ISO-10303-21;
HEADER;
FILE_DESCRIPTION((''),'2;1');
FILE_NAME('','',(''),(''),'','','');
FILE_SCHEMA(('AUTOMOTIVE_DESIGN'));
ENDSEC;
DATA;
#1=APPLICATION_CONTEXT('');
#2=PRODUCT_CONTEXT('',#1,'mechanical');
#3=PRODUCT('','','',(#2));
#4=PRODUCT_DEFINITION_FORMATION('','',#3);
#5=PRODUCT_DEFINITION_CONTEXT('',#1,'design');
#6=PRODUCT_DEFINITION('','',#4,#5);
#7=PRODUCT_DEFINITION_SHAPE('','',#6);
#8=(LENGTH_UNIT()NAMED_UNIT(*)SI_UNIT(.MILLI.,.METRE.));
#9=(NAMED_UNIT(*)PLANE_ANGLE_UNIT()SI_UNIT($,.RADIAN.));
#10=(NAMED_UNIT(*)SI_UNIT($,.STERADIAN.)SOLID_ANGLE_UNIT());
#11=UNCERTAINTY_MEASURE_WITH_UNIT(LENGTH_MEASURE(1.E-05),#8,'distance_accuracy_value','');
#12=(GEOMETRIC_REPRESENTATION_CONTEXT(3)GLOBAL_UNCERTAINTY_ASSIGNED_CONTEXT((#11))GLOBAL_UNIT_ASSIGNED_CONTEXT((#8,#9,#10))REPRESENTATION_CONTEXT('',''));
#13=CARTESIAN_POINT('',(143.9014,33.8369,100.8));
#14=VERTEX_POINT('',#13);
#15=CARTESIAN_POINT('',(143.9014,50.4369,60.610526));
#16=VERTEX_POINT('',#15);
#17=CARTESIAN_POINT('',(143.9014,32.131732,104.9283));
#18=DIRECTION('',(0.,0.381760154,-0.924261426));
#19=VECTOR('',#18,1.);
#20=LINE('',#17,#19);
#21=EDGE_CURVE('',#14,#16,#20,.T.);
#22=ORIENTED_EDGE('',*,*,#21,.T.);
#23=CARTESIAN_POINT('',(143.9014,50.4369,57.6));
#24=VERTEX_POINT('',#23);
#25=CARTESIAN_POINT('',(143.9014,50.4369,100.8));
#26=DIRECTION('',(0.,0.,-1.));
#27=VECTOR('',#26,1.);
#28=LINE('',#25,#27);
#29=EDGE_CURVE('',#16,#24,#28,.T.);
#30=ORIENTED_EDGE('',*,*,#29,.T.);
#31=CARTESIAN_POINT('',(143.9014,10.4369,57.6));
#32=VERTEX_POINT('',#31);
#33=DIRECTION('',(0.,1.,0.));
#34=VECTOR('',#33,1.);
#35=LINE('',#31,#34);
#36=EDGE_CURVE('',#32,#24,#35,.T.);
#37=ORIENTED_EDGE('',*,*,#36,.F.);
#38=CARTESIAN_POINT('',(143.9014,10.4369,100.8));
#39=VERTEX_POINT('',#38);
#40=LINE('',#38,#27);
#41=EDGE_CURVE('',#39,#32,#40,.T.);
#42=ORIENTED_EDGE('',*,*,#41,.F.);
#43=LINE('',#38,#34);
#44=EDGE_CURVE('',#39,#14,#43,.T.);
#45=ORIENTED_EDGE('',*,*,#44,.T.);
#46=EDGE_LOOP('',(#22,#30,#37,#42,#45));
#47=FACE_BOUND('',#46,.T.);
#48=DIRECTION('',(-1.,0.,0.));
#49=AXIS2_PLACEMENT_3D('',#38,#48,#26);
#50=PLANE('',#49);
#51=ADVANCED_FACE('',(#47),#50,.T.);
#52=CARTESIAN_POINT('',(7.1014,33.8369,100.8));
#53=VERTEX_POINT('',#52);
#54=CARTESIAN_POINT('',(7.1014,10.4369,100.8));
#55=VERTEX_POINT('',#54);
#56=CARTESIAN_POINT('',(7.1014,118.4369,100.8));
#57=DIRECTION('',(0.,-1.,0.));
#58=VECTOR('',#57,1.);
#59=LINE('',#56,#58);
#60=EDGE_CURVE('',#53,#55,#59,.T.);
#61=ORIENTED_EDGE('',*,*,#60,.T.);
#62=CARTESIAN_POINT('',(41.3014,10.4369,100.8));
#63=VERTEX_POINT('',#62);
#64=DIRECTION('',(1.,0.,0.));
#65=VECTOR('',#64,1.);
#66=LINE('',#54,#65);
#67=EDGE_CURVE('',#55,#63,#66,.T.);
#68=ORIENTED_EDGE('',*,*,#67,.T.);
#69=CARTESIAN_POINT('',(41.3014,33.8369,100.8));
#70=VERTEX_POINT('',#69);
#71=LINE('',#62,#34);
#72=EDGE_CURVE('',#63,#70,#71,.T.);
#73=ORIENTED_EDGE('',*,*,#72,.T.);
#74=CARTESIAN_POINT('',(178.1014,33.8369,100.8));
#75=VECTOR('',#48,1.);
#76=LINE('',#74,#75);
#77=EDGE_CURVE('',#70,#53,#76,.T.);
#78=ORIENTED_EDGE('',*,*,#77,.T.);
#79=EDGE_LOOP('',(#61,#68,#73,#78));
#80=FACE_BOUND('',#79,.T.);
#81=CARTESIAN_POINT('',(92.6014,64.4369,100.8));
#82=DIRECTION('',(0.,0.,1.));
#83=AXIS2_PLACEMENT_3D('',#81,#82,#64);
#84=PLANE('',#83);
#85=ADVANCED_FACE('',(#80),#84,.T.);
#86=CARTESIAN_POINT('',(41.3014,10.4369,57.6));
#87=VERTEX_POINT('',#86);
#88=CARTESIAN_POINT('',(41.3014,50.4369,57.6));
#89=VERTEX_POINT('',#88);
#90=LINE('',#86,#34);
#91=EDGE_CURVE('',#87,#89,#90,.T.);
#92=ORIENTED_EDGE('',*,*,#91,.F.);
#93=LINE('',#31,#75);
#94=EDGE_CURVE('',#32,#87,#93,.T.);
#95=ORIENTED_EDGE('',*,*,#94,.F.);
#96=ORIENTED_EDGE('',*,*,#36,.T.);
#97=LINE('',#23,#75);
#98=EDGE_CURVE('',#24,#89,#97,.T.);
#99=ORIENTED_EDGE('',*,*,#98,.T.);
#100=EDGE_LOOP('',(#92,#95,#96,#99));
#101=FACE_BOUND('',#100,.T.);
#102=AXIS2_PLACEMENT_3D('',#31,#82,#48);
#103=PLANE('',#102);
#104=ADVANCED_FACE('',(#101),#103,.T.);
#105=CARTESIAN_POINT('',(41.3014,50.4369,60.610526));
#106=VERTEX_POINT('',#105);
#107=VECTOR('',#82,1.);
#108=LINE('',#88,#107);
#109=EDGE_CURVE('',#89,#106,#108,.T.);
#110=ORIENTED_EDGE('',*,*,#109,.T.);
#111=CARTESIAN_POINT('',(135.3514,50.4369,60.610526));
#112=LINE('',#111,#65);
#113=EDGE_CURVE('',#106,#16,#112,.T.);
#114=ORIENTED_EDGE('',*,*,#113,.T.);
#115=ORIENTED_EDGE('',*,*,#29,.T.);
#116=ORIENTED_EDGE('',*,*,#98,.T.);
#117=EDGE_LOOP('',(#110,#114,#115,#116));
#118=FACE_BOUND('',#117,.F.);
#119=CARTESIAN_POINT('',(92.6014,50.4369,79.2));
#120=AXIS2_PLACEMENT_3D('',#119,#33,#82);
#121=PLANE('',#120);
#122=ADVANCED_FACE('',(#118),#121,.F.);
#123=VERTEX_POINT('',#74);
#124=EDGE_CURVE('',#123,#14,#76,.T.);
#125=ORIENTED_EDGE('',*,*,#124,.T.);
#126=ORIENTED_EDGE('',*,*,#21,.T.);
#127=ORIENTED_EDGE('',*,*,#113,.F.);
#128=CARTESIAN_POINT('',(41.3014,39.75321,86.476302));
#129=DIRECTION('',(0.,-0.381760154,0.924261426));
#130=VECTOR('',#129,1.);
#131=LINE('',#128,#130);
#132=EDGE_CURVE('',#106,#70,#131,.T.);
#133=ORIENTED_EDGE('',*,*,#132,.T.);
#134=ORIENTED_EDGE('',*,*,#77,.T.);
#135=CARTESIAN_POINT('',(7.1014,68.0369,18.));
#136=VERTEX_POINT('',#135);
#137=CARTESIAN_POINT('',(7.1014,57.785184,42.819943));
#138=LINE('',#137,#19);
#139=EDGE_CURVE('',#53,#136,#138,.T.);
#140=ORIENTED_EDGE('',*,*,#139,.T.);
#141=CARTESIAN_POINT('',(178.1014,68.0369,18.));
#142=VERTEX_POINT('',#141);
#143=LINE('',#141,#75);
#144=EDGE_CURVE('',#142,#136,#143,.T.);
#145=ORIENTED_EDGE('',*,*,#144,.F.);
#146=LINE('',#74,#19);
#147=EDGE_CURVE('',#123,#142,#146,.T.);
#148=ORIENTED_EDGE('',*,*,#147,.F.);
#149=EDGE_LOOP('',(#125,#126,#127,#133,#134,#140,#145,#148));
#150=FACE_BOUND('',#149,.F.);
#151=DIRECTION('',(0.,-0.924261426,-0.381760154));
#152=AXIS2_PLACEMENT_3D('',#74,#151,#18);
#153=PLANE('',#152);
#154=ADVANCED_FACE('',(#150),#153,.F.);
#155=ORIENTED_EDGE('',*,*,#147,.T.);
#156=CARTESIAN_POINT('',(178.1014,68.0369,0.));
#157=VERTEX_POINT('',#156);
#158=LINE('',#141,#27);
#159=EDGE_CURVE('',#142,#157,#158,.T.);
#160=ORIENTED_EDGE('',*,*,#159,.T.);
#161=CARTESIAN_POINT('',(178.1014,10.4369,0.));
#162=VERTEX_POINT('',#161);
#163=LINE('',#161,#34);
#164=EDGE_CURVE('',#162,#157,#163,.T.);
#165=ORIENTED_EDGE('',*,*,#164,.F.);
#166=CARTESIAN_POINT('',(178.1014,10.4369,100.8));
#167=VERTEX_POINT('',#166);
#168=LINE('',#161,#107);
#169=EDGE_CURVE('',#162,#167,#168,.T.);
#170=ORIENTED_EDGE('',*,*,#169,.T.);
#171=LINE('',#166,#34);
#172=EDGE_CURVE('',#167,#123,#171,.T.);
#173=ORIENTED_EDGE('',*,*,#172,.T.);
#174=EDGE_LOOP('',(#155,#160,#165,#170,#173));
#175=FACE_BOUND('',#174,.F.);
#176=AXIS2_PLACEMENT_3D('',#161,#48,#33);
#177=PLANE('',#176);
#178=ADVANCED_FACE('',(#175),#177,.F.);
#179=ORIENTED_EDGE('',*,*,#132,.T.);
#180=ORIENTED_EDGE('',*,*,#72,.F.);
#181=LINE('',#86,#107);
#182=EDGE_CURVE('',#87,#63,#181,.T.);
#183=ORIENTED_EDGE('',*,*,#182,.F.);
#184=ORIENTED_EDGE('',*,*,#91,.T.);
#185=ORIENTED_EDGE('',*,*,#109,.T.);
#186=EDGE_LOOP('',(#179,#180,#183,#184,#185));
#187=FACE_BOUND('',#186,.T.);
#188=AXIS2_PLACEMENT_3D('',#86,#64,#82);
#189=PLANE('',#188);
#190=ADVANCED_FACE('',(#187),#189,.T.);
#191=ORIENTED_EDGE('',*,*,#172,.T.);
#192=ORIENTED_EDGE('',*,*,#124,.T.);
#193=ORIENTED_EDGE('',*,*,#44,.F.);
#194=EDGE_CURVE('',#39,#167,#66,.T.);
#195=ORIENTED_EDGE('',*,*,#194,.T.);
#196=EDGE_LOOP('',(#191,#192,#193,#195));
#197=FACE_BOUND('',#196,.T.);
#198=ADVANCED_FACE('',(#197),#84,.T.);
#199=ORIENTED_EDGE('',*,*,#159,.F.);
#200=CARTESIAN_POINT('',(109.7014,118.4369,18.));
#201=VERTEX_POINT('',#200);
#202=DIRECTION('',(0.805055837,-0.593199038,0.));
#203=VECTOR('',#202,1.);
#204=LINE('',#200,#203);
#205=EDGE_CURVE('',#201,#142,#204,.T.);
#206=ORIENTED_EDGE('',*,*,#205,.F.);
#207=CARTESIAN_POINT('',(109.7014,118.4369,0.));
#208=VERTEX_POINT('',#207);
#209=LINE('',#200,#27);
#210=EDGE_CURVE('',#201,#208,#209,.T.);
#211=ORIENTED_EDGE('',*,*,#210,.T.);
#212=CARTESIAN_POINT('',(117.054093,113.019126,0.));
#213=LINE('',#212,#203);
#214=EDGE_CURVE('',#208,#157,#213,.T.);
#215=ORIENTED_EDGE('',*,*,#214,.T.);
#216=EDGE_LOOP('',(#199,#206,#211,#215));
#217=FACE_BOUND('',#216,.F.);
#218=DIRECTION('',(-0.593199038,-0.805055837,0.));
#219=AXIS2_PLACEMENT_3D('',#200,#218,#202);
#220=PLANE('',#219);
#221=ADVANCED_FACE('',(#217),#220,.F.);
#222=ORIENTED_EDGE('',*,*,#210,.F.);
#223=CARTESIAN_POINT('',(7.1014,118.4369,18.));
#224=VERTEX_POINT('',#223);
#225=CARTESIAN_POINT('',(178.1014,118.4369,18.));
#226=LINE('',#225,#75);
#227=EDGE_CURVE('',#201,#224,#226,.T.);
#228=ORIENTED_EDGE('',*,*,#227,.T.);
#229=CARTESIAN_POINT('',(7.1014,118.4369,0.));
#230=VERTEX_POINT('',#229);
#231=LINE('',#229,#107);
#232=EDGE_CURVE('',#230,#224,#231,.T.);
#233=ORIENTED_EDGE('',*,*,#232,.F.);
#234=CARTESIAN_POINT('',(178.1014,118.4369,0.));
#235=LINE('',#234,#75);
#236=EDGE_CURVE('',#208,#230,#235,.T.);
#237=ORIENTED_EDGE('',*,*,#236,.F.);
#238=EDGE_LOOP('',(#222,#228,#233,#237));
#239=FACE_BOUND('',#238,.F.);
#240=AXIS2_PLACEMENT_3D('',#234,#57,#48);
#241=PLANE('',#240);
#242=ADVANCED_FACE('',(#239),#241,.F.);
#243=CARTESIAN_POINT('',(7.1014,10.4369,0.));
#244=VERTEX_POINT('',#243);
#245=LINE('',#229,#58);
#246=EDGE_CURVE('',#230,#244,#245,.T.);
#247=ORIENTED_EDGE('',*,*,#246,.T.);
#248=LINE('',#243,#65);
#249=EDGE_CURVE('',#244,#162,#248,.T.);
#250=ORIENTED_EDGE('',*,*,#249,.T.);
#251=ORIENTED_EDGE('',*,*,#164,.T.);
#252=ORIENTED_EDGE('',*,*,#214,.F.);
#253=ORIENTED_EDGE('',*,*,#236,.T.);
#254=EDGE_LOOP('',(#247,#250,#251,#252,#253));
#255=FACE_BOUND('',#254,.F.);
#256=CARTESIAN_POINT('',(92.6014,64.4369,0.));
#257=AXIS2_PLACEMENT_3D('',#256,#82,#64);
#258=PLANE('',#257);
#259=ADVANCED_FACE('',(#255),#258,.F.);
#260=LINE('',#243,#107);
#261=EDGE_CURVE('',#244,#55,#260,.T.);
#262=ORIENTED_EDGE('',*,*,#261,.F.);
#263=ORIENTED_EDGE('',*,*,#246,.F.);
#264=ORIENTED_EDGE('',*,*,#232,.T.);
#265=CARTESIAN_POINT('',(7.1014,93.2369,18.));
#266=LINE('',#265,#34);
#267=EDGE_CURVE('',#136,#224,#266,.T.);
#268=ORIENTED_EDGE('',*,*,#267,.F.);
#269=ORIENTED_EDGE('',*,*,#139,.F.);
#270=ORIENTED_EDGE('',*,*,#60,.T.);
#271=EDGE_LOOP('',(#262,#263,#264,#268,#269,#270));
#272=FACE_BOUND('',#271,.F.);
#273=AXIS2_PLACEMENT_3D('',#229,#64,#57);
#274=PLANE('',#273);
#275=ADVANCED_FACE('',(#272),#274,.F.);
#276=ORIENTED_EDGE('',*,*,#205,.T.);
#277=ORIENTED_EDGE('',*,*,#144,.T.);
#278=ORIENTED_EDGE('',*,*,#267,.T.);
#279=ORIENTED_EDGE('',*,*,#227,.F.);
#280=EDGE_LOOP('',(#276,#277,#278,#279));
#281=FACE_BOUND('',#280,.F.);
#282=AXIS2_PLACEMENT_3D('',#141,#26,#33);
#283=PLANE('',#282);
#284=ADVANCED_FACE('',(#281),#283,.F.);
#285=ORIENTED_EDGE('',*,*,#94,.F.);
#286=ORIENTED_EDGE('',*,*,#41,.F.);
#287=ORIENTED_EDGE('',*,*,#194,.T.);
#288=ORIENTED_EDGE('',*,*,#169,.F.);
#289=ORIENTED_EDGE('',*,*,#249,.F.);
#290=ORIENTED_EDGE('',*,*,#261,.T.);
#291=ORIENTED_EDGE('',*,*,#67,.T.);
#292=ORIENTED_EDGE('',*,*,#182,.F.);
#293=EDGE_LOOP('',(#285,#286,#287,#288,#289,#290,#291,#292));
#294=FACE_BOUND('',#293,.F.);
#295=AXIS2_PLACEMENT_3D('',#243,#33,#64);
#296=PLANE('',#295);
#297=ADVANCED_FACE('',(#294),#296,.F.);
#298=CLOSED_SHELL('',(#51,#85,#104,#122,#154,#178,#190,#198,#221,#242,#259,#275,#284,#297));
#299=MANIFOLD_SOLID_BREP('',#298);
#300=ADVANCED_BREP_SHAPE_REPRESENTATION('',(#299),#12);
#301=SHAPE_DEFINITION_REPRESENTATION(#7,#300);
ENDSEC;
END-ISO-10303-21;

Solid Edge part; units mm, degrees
sketch "Sketch1" plane through (0, 0, 0) normal (0, 0, 1) x (1, 0, 0)
  line L0 (7.1014, 10.4369) -> (178.1014, 10.4369)
  line L1 (178.1014, 10.4369) -> (178.1014, 118.4369)
  line L2 (178.1014, 118.4369) -> (7.1014, 118.4369)
  line L3 (7.1014, 118.4369) -> (7.1014, 10.4369)
extrude "Protrusion1" add sketch "Sketch1" along normal blind 100.8
sketch "Sketch2" plane through (178.1014, 64.4369, 50.4) normal (1, 0, 0) x (0, 0, -1)
  line L0 (-50.4, -30.6) -> (32.4, 3.6)
  line L1 (32.4, 3.6) -> (32.4, 54)
  line L2 (32.4, 54) -> (-50.4, 54)
  line L3 (-50.4, 54) -> (-50.4, -30.6)
  dimension "D1" = 23.4
  dimension "D2" = 18
  dimension "D3" = 50.4
extrude "ExtrudedCutout_3" cut sketch "Sketch2" against normal blind 200
sketch "Sketch3" plane through (92.6014, 10.4369, 50.4) normal (0, -1, 0) x (0, 0, 1)
  line L0 (50.4, -51.3) -> (7.2, -51.3)
  line L1 (7.2, -51.3) -> (7.2, 51.3)
  line L2 (7.2, 51.3) -> (50.4, 51.3)
  line L3 (50.4, 51.3) -> (50.4, -51.3)
  dimension "D1" = 34.2
  dimension "D2" = 136.8
  dimension "D3" = 43.2
extrude "ExtrudedCutout_5" cut sketch "Sketch3" against normal blind 40
sketch "Sketch4" plane through (92.6014, 93.2369, 18) normal (0, 0, 1) x (0, 1, 0)
  line L0 (25.2, -17.1) -> (-25.2, -85.5)
  line L1 (-25.2, -85.5) -> (25.2, -85.5)
  line L2 (25.2, -85.5) -> (25.2, -17.1)
  dimension "D1" = 102.6
extrude "ExtrudedCutout_6" cut sketch "Sketch4" against normal blind 40
